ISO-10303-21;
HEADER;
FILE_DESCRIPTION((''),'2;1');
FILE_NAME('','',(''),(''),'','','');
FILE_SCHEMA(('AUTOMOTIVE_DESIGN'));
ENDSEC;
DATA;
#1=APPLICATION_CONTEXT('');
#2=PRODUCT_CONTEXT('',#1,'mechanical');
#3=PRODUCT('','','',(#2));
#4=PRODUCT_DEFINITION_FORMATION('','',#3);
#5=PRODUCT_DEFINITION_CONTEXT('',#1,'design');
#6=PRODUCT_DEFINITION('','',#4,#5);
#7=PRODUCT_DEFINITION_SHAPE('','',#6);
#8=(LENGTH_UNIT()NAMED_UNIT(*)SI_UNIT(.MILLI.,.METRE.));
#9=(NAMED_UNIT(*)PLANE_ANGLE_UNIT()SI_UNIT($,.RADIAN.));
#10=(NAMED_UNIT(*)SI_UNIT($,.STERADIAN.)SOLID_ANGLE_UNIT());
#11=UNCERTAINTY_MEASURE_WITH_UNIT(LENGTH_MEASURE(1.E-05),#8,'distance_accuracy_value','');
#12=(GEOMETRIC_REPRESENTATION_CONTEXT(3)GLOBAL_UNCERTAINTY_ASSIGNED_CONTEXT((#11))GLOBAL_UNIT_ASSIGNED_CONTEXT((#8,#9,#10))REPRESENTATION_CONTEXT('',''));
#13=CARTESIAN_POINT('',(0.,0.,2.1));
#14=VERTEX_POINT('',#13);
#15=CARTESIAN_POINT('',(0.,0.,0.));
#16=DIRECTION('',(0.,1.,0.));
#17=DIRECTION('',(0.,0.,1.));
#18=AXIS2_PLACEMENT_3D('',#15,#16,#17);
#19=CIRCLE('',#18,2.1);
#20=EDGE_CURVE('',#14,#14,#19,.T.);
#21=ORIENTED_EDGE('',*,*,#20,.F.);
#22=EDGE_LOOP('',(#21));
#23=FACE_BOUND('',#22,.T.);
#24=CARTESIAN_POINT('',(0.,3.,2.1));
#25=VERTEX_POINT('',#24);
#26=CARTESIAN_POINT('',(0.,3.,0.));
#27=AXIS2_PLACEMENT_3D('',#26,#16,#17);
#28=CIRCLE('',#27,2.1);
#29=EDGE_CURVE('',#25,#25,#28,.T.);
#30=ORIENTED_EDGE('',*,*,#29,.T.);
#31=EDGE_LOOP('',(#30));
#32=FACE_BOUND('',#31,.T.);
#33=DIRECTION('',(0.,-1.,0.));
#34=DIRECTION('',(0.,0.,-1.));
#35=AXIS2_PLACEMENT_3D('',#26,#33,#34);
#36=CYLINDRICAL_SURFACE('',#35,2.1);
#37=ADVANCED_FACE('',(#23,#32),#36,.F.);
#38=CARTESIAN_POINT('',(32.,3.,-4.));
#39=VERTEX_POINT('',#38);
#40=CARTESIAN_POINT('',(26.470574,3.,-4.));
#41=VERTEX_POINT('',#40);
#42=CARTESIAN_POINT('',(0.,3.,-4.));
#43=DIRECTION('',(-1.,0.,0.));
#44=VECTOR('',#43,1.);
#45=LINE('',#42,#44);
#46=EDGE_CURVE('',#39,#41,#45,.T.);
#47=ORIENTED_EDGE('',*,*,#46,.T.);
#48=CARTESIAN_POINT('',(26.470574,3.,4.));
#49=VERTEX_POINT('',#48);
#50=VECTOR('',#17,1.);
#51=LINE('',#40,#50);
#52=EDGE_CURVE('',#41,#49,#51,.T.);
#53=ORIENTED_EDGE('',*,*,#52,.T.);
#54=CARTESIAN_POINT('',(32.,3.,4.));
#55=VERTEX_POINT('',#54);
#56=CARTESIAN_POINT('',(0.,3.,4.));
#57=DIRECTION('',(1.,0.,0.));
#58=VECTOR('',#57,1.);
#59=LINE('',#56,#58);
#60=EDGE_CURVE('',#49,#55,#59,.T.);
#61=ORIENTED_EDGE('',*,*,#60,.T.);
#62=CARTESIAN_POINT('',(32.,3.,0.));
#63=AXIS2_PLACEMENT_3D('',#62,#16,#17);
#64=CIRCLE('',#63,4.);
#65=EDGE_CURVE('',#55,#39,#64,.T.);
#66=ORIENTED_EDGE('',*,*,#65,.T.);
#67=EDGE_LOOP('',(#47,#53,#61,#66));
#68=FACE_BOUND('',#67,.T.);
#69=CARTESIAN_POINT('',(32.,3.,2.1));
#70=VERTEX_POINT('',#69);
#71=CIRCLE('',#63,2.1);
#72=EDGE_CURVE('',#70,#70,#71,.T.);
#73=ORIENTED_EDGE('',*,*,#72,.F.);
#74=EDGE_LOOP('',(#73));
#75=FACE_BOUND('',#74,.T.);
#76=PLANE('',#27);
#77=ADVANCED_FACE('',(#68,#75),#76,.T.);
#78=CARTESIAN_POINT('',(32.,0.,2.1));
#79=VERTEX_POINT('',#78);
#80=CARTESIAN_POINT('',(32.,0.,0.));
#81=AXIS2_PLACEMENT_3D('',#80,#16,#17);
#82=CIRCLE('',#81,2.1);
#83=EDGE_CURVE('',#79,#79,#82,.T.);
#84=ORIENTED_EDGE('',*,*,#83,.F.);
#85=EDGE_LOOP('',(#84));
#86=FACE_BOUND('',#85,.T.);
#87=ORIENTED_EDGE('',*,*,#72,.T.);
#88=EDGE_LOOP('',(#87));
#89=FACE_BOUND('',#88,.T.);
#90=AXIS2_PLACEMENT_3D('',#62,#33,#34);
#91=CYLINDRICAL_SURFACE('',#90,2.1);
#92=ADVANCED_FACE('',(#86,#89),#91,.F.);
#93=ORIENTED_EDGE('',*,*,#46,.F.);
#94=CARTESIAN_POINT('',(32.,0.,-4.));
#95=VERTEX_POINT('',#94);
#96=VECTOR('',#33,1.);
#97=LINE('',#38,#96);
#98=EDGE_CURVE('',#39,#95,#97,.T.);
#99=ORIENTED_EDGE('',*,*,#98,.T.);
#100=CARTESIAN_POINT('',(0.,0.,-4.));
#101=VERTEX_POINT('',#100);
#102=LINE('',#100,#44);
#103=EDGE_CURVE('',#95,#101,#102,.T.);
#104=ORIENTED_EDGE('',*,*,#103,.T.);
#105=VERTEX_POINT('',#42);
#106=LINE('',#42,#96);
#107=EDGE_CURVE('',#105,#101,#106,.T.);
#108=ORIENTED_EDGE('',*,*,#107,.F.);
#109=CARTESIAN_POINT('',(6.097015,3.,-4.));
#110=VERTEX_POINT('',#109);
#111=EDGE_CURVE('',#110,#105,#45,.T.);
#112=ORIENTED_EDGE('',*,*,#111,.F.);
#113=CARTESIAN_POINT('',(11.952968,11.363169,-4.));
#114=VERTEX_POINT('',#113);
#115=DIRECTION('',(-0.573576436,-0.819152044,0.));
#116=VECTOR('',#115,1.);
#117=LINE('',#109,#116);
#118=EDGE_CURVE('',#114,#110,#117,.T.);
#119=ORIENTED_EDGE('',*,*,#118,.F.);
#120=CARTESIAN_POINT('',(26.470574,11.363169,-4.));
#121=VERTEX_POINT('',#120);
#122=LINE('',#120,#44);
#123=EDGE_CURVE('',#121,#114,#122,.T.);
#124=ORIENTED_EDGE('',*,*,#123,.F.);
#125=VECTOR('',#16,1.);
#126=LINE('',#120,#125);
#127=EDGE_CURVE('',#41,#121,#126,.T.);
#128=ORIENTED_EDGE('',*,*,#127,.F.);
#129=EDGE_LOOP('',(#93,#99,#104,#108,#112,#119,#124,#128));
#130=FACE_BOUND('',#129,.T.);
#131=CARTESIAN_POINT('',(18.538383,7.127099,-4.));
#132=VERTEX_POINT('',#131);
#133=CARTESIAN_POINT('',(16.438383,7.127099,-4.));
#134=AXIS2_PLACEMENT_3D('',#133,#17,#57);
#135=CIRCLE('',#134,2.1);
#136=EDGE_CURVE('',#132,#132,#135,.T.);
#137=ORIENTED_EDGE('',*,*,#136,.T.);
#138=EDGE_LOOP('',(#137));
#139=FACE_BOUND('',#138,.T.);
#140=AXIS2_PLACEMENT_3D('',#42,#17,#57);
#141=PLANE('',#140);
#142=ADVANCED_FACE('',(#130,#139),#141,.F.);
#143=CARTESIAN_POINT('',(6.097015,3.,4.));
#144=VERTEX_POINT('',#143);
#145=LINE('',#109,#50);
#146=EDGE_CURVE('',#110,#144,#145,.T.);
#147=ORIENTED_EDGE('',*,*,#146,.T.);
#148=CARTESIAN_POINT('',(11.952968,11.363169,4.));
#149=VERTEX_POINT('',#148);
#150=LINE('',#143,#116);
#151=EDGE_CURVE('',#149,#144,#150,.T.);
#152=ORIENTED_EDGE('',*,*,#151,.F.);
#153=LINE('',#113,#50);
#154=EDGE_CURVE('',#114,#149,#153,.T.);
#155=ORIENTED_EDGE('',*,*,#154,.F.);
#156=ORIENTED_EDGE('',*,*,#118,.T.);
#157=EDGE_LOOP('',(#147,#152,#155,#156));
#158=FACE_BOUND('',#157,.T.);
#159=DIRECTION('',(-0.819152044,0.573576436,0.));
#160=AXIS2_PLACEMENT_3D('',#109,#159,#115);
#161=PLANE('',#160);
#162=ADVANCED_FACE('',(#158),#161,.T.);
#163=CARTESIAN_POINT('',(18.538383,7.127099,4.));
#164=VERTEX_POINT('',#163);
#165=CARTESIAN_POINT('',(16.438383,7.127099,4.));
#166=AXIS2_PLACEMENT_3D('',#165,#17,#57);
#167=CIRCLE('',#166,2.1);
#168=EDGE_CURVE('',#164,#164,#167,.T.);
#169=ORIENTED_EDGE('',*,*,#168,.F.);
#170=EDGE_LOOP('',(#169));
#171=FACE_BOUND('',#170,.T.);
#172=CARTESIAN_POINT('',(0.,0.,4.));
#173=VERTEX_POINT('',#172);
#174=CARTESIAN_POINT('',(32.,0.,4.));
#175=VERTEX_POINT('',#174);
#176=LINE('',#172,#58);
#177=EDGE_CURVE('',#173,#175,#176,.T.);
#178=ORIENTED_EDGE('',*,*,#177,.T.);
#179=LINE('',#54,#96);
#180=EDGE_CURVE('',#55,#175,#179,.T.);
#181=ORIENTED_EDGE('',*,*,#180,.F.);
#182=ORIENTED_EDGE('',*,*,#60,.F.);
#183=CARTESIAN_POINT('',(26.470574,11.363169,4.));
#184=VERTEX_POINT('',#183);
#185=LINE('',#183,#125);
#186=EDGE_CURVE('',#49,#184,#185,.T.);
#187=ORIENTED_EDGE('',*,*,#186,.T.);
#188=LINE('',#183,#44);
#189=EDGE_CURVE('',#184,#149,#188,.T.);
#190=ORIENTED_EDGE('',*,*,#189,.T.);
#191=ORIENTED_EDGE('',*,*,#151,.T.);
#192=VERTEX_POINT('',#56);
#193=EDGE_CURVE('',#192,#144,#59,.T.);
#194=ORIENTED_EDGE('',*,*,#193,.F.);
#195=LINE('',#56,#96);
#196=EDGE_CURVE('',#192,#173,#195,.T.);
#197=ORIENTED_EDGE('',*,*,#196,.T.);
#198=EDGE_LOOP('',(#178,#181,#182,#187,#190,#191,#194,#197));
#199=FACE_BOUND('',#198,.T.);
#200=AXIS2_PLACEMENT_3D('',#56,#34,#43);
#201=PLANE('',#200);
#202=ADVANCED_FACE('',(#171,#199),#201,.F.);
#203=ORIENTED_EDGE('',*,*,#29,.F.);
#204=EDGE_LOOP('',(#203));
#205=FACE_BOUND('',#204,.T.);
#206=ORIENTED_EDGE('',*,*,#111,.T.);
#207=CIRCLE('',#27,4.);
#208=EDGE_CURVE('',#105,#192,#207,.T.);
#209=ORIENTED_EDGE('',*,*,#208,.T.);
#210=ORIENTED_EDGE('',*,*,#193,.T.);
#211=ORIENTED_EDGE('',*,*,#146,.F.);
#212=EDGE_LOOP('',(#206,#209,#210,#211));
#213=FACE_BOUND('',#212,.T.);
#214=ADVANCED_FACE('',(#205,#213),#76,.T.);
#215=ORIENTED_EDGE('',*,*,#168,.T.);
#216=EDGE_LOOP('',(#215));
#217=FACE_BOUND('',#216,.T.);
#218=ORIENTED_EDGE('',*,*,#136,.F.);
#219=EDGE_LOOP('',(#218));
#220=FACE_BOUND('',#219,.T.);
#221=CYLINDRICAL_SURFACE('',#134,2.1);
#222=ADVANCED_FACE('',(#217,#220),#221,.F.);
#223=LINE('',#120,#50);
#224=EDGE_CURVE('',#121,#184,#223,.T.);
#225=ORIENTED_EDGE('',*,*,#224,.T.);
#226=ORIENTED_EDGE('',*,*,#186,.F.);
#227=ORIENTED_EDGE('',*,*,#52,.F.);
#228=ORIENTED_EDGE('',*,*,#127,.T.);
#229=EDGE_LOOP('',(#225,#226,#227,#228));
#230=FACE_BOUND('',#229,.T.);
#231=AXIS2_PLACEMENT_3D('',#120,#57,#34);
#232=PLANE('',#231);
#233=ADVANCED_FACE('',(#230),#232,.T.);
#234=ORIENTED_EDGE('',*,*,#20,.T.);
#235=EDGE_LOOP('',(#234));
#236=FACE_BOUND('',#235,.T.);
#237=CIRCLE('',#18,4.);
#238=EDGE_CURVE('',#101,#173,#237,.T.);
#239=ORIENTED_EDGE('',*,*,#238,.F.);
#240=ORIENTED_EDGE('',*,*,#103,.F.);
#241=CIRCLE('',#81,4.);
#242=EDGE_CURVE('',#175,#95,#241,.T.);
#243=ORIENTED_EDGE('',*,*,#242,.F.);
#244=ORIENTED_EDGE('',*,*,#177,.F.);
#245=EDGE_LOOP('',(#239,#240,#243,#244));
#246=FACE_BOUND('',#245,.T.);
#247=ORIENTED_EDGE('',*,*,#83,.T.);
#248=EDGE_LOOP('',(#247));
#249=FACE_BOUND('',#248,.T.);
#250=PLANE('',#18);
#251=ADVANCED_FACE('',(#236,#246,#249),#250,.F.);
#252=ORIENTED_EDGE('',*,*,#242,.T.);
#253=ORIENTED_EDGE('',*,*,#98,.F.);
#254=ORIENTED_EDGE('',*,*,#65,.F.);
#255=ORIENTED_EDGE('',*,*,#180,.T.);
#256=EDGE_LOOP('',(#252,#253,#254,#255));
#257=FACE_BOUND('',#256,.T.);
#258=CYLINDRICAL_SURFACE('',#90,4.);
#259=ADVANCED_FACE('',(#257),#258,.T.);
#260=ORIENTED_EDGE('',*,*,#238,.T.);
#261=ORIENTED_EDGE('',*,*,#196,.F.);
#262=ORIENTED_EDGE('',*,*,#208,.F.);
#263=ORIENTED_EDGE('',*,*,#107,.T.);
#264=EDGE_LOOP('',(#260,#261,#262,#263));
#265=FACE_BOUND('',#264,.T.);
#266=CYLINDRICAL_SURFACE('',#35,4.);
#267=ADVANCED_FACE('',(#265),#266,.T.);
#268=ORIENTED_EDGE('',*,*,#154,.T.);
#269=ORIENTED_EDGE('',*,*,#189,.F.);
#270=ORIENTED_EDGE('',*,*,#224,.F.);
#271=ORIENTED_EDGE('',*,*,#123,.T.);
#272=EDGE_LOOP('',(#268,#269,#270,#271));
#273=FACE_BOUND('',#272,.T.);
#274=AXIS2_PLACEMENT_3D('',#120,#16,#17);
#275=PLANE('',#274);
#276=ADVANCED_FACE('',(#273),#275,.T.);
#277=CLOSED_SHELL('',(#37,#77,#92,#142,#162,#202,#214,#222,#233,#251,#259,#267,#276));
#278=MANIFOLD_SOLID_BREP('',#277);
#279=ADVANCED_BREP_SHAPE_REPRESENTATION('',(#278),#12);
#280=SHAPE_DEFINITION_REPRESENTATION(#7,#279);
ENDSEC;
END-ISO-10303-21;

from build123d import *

# Parameters (mm, degrees)
SKETCH1_R           = 2.1
BOSS_EXTRUDE1_DEPTH = 3
SKETCH2_R           = 2.1
BOSS_EXTRUDE2_DEPTH = 8


with BuildPart() as part:
    # Sketch1 → Boss-Extrude1 (new body)
    with BuildSketch(Plane(origin=(0, 0, 0), x_dir=(1, 0, 0), z_dir=(0, 1, 0))):
        with BuildLine():
            Line((0, -4), (32, -4))
            ThreePointArc((32, -4), (36, 0), (32, 4))
            Line((32, 4), (0, 4))
            ThreePointArc((0, 4), (-4, 0), (0, -4))
        make_face()
        with Locations(Location((0, 0, 0), (0, 0, 270))):
            Circle(SKETCH1_R, mode=Mode.SUBTRACT)
        with Locations(Location((32, 0, 0), (0, 0, 270))):
            Circle(SKETCH1_R, mode=Mode.SUBTRACT)
    extrude(amount=BOSS_EXTRUDE1_DEPTH)

    # Sketch2 → Boss-Extrude2 (add)
    with BuildSketch(Plane.XY.offset(4)):
        Polygon((26.470573602, 11.363168568), (11.952968187, 11.363168568), (6.097014513, 3), (20.614619928, 3), (26.470573602, 3), align=None)
        with Locations((16.438382798, 7.127099025)):
            Circle(SKETCH2_R, mode=Mode.SUBTRACT)
    extrude(amount=-BOSS_EXTRUDE2_DEPTH)


solid = part.part
